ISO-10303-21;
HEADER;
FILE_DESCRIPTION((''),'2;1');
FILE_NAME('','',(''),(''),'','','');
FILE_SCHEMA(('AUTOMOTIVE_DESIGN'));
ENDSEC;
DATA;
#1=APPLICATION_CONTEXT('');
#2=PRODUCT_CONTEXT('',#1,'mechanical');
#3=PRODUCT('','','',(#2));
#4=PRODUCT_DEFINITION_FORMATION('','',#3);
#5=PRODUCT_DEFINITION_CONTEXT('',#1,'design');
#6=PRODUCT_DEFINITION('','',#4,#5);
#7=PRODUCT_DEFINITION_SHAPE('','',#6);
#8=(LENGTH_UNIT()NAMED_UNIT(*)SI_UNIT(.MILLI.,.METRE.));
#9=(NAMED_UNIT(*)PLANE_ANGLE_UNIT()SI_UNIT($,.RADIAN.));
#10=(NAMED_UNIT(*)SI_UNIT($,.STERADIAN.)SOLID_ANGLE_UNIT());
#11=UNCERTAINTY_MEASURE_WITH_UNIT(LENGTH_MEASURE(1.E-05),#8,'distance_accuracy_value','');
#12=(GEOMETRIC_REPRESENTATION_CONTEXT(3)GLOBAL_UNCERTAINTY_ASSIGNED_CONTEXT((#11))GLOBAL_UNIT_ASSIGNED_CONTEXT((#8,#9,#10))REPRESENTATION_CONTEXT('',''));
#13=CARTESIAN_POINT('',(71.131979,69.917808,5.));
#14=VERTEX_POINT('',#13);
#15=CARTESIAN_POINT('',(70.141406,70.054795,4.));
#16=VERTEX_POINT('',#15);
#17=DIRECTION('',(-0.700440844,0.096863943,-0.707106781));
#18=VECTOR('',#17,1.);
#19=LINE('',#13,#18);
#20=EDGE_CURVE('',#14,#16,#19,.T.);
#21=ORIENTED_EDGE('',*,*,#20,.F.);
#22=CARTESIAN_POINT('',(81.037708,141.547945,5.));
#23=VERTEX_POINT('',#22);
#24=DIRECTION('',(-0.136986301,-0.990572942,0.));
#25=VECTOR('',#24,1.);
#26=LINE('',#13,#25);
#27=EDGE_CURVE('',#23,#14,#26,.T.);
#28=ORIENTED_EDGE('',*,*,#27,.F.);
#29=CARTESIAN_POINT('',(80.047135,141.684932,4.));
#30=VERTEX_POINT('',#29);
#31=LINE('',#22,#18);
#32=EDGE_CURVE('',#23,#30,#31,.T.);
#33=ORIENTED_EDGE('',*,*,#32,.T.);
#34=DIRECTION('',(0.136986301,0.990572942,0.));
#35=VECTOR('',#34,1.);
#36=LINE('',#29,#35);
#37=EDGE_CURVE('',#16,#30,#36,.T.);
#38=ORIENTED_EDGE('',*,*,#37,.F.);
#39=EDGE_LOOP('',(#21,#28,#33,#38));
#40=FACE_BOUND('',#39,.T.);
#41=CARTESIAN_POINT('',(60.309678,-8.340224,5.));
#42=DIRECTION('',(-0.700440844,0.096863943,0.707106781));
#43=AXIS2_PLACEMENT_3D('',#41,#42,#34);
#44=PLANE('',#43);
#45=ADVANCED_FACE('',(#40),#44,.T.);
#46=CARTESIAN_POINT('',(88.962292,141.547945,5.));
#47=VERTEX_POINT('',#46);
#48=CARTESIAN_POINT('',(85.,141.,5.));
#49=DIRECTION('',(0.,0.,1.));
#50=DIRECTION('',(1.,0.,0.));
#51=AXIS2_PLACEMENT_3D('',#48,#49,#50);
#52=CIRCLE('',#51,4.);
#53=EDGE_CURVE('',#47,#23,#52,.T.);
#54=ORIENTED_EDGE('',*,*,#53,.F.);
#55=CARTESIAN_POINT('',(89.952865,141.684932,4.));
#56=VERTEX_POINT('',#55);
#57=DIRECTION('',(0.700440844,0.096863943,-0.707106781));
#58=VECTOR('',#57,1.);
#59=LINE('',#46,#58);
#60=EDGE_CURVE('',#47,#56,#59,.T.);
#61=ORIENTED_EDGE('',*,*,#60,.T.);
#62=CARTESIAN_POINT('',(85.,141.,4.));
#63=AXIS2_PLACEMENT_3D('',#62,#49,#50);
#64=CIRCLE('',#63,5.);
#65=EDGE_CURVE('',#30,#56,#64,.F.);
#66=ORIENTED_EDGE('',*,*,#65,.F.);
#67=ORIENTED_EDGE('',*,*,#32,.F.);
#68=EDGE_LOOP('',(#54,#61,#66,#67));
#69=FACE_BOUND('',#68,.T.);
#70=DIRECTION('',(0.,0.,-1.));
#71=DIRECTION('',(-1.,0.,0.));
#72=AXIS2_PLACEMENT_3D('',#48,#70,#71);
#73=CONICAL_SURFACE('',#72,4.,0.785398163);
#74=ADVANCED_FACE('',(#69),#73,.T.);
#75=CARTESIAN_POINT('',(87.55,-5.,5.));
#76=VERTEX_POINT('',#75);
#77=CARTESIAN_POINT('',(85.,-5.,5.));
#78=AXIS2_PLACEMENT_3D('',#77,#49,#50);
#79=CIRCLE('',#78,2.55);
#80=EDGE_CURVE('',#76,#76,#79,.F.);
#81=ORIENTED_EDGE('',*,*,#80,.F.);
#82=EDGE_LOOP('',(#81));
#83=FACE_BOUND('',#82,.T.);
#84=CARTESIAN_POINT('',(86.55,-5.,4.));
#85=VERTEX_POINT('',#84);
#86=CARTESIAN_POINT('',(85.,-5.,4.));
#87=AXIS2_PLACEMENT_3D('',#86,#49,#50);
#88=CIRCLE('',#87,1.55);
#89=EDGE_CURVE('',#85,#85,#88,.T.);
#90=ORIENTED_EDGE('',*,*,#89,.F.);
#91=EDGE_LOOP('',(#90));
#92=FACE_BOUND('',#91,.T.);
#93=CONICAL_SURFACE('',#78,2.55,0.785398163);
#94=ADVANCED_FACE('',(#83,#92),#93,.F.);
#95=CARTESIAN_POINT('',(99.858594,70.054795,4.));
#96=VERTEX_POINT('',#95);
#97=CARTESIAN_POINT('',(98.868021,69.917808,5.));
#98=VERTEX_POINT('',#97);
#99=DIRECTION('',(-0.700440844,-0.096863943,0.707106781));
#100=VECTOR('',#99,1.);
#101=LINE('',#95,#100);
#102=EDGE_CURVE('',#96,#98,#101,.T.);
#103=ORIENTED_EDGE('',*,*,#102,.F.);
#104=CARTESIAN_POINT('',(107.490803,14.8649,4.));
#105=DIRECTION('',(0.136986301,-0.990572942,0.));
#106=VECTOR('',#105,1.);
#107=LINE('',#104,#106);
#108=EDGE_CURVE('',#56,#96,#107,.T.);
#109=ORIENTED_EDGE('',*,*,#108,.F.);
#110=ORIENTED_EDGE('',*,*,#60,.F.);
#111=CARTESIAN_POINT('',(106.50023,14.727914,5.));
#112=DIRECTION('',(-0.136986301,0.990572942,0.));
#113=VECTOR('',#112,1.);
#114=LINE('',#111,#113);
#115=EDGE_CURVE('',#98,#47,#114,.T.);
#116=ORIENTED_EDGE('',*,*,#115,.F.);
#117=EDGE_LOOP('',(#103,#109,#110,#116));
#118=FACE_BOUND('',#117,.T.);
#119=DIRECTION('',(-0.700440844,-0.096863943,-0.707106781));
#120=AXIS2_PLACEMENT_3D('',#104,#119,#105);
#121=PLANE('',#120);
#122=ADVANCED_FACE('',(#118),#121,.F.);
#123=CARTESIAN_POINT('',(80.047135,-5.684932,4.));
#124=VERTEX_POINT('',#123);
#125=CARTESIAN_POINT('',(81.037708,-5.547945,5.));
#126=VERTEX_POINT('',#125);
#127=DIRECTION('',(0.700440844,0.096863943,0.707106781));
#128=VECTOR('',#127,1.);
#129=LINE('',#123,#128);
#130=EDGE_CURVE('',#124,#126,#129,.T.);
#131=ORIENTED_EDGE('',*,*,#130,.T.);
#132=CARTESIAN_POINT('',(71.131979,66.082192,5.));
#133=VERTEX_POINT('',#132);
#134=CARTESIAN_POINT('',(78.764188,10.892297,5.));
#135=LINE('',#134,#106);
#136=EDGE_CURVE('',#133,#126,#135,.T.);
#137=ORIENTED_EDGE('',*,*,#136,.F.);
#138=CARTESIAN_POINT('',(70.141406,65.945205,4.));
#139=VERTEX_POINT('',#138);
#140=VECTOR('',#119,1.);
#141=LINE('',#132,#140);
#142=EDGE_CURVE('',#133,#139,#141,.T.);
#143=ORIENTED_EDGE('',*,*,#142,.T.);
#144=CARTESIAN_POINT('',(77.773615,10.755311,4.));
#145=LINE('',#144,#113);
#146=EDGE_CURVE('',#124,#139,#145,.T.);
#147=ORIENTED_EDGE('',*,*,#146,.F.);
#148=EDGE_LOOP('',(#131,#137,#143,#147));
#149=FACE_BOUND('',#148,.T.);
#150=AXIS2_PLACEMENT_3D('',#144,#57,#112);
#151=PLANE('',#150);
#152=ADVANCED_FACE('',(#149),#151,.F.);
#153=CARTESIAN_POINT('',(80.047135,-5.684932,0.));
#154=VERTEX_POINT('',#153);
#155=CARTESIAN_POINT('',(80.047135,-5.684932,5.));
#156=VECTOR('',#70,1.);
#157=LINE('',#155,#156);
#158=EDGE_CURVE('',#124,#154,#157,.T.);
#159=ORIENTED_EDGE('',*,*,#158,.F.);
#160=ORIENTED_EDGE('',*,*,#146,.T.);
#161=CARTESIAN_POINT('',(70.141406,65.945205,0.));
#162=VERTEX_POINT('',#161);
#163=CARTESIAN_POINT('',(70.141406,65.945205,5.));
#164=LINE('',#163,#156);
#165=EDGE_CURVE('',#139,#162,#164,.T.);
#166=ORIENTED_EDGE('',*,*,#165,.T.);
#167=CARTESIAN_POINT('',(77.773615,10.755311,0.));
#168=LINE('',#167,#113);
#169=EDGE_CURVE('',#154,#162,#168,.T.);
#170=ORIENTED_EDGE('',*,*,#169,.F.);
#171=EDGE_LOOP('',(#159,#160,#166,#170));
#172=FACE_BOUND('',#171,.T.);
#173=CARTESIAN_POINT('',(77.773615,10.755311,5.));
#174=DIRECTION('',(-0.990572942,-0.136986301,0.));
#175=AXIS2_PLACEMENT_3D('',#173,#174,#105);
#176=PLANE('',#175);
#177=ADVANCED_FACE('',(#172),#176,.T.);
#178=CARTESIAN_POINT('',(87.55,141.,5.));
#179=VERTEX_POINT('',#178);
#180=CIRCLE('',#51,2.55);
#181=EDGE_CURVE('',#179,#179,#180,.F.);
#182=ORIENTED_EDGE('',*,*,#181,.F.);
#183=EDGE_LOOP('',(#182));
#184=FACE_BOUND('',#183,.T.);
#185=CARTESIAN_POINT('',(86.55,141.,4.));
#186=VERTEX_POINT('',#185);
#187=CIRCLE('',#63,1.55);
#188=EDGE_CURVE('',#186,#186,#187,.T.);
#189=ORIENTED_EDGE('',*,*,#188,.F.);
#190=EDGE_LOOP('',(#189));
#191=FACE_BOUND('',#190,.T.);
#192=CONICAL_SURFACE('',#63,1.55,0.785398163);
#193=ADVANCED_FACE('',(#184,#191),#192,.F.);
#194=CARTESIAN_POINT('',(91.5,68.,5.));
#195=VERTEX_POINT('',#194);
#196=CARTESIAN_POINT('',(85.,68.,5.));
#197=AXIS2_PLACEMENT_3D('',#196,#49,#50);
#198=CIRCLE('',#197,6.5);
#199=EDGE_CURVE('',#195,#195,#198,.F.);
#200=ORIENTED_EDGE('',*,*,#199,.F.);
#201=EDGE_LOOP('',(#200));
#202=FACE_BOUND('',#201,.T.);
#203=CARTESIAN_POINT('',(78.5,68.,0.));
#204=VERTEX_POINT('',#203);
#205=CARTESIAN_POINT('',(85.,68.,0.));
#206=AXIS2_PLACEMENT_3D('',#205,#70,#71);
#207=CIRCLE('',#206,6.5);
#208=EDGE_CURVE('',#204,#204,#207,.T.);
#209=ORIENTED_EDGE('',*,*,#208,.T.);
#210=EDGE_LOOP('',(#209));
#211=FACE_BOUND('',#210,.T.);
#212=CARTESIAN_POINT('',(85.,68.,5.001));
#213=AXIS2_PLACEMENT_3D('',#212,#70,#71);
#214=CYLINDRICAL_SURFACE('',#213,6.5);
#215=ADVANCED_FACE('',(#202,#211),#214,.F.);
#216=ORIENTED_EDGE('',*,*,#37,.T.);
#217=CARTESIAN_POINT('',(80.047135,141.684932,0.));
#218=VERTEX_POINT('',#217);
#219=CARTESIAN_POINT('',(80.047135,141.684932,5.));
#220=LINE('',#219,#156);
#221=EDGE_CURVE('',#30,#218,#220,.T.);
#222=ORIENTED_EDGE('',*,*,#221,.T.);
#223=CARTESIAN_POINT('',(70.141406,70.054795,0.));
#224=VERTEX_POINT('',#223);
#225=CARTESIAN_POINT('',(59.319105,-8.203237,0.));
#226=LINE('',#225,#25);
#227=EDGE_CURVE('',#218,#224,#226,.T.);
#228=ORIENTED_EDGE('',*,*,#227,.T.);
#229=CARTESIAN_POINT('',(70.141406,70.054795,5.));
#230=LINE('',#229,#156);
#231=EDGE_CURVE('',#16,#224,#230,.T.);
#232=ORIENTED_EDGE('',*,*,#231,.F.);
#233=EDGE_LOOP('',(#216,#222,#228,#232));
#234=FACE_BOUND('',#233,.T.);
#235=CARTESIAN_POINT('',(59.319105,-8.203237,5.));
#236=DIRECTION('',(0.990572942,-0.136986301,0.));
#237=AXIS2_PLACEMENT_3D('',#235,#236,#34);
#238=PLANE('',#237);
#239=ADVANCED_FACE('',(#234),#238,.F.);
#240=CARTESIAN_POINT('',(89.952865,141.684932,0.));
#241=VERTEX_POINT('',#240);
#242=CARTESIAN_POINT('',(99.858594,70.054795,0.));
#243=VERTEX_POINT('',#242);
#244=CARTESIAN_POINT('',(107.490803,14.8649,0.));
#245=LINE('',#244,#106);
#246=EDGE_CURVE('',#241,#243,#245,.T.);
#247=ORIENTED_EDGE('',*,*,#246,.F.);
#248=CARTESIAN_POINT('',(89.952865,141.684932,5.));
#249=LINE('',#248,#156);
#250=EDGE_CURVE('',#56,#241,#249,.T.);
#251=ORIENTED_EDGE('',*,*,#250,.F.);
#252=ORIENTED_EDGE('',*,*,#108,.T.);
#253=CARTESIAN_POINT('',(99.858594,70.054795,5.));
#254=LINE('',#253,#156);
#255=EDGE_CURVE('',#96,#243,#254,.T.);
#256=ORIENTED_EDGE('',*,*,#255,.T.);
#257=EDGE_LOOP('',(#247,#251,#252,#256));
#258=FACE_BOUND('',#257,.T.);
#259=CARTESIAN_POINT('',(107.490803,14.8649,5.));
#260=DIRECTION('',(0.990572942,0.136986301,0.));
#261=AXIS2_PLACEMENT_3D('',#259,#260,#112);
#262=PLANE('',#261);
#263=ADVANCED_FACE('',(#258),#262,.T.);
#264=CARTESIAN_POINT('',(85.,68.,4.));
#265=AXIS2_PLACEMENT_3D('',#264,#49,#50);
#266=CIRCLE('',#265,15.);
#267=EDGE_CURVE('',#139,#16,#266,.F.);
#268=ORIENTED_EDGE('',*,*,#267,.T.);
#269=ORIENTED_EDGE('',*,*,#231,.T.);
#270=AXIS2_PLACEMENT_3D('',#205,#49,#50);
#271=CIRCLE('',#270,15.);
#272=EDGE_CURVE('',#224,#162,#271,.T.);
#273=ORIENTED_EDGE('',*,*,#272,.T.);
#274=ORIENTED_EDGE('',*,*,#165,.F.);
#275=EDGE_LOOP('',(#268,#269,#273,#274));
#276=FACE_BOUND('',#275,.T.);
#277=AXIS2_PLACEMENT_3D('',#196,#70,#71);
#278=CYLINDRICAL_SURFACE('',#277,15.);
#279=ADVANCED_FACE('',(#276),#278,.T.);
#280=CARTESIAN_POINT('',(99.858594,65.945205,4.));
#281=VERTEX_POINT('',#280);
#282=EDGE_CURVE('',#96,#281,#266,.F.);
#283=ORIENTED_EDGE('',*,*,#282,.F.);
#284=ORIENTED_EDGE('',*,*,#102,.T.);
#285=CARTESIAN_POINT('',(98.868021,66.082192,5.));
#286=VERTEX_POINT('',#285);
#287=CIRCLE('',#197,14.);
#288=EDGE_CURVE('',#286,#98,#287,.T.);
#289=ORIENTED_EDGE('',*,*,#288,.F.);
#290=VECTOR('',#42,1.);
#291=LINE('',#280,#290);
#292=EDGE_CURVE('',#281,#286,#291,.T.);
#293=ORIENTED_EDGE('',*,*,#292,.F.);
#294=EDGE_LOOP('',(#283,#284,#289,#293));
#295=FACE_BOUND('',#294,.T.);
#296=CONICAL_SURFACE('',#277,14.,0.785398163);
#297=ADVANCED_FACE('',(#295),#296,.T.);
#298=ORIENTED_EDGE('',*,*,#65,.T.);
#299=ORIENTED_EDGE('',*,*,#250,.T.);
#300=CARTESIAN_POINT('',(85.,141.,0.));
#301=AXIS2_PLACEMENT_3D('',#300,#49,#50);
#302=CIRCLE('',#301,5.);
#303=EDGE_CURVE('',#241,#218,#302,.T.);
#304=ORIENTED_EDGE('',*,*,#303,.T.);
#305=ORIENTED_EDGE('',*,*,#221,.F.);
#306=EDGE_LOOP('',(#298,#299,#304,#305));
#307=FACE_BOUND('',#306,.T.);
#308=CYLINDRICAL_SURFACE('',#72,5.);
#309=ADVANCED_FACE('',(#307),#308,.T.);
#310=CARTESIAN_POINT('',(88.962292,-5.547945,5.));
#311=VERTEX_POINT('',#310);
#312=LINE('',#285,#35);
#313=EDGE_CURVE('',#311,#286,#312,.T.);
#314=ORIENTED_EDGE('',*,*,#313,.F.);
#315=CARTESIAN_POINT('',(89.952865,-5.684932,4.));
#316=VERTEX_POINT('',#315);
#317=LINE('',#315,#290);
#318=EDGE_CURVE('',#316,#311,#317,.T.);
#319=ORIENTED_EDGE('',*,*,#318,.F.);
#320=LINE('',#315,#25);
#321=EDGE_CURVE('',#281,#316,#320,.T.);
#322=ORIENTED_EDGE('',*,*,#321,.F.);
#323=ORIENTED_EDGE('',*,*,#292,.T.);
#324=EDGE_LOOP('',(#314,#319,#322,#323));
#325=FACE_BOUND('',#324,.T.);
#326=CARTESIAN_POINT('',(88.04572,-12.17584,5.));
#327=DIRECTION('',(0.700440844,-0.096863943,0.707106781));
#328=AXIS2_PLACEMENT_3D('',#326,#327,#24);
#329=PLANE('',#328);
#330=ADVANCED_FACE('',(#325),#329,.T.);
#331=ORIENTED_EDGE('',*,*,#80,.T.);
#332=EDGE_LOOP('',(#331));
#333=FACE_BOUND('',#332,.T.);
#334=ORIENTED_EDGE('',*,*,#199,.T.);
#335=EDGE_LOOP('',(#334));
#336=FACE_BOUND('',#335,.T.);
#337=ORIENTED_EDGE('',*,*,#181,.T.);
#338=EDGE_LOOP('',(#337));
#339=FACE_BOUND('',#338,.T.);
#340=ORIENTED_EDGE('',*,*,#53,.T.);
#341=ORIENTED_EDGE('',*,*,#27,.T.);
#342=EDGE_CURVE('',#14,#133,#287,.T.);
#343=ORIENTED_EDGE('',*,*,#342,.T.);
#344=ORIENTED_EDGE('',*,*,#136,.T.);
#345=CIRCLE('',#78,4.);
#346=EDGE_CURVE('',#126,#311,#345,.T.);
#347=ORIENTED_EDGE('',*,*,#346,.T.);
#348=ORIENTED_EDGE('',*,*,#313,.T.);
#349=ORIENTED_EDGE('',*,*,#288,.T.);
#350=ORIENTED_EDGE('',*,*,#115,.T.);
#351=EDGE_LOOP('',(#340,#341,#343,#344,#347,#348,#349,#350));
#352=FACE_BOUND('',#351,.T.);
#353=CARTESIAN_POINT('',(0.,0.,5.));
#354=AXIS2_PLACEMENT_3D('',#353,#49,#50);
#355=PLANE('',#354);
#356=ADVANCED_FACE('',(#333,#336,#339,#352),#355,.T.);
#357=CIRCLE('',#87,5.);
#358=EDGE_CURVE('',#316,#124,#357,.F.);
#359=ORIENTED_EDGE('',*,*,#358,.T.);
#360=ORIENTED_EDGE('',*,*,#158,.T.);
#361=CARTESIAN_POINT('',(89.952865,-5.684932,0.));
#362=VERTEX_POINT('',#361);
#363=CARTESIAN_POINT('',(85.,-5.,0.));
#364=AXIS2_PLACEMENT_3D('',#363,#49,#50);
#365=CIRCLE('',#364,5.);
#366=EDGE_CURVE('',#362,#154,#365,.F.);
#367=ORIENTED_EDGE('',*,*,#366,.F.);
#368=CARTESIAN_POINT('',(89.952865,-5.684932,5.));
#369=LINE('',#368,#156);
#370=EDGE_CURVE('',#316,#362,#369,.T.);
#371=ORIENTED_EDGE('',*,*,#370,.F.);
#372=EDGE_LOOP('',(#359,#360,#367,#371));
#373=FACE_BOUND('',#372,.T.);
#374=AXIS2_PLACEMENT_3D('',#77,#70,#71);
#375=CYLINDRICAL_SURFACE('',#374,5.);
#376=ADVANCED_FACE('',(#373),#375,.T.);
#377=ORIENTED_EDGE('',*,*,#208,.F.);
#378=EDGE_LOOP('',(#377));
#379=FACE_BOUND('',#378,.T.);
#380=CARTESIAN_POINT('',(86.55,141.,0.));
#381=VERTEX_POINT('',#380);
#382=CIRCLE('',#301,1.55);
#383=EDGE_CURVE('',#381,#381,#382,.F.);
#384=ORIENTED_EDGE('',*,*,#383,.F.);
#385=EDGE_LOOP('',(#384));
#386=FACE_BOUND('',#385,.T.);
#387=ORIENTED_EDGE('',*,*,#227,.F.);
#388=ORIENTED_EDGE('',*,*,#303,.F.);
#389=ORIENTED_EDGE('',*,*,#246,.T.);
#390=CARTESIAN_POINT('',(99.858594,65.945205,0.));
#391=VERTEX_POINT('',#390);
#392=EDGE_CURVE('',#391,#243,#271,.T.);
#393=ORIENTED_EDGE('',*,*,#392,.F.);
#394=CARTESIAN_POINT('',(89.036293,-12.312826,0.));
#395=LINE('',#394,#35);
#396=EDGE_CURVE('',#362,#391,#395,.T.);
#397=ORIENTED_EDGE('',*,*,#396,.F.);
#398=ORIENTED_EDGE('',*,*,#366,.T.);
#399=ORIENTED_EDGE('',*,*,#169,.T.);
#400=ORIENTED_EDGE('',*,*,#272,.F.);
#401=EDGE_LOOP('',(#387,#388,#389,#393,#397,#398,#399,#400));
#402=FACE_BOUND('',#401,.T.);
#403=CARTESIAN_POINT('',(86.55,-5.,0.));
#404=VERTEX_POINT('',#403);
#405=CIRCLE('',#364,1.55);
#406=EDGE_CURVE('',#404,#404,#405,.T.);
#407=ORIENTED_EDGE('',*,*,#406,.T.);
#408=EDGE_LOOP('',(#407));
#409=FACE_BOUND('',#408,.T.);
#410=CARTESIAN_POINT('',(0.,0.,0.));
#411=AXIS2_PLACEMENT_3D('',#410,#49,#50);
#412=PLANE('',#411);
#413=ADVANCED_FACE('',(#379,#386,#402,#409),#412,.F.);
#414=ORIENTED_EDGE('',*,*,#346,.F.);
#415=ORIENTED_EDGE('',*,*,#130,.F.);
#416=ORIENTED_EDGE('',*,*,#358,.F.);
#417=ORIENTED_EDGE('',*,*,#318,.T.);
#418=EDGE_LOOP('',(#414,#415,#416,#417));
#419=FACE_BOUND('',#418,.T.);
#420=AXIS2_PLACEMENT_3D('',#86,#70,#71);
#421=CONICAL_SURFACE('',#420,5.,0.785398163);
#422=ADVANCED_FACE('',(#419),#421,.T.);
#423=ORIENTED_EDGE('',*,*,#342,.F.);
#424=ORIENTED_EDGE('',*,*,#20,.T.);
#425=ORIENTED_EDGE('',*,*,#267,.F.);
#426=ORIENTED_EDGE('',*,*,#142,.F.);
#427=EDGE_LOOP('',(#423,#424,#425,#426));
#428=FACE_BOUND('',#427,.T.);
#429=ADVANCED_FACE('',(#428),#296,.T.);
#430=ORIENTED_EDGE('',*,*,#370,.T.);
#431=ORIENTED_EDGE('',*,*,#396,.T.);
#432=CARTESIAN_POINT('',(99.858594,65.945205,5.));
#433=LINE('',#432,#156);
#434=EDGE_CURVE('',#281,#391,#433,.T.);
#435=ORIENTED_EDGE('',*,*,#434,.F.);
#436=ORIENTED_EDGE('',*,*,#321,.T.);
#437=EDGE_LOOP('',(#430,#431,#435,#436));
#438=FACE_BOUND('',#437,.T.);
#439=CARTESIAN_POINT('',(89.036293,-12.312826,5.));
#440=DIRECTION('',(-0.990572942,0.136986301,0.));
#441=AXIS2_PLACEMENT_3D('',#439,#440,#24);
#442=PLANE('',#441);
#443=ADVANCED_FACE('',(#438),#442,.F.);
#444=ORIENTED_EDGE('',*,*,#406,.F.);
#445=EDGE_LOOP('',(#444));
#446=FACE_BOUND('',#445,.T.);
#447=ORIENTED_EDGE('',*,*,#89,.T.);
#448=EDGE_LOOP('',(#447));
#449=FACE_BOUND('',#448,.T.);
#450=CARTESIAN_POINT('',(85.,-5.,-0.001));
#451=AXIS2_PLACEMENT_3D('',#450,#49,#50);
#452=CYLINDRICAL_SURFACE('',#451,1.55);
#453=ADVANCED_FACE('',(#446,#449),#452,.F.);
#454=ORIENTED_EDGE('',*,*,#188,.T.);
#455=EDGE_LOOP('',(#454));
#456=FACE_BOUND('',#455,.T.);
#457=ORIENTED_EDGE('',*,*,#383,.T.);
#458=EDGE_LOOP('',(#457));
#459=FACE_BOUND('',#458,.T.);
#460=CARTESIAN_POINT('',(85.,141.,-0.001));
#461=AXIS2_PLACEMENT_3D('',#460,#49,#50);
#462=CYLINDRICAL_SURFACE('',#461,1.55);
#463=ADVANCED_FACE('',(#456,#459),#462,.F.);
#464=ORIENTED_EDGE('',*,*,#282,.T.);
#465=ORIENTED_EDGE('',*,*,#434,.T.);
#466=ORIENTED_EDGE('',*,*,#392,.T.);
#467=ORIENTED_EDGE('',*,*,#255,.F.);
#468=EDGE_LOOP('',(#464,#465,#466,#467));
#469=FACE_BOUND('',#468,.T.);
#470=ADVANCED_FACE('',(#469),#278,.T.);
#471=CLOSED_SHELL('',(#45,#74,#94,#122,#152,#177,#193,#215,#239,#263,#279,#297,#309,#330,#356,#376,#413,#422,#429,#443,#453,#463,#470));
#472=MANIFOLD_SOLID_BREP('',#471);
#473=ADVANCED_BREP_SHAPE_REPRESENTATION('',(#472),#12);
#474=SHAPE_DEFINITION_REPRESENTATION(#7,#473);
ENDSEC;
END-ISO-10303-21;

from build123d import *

# Parameters (mm, degrees)
BOSS_EXTRUDE1_DEPTH      = 5
CHAMFER1_SIZE            = 1
CUT_EXTRUDE2_REACH       = 179.034
SKETCH6_R                = 1.55
CHAMFER3_SIZE            = 1
CHAMFER3_OF_MIRROR2_SIZE = 1
CUT_EXTRUDE3_REACH       = 179.034
SKETCH10_R               = 6.5


with BuildPart() as part:
    # Sketch1 → Boss-Extrude1 (new body)
    with BuildSketch(Plane.XY):
        with BuildLine():
            ThreePointArc((99.858594129, 65.945205479), (100, 68), (99.858594129, 70.054794521))
            Line((99.858594129, 70.054794521), (89.95286471, 141.684931507))
            ThreePointArc((89.95286471, 141.684931507), (85, 146), (80.04713529, 141.684931507))
            Line((80.04713529, 141.684931507), (70.141405871, 70.054794521))
            ThreePointArc((70.141405871, 70.054794521), (70, 68), (70.141405871, 65.945205479))
            Line((70.141405871, 65.945205479), (80.04713529, -5.684931507))
            ThreePointArc((80.04713529, -5.684931507), (85, -10), (89.95286471, -5.684931507))
            Line((89.95286471, -5.684931507), (99.858594129, 65.945205479))
        make_face()
    extrude(amount=BOSS_EXTRUDE1_DEPTH)

    # Chamfer1
    chamfer1_edges = [part.edges().sort_by_distance(p)[0] for p in [
        (75.094270581, 30.130136986, 5),
        (70, 68, 5),
        (75.094270581, 105.869863014, 5),
        (85, 146, 5),
        (94.905729419, 105.869863014, 5),
        (100, 68, 5),
        (94.905729419, 30.130136986, 5),
        (85, -10, 5),
    ]]
    chamfer(chamfer1_edges, length=CHAMFER1_SIZE)

    # Sketch6 → Cut-Extrude2 (cut, up to next)
    with BuildSketch(Plane.XY.offset(5), mode=Mode.PRIVATE) as cut_extrude2_sk1:
        with Locations((85, 141)):
            Circle(SKETCH6_R)
    cut_extrude2_tool1 = extrude(cut_extrude2_sk1.sketch, amount=-CUT_EXTRUDE2_REACH, mode=Mode.PRIVATE) & part.part
    cut_extrude2 = cut_extrude2_tool1.solids().sort_by_distance((85, 141, 5))[0]
    add(cut_extrude2, mode=Mode.SUBTRACT)

    # Chamfer3
    chamfer3_edges = [part.edges().sort_by_distance(p)[0] for p in [
        (83.45, 141, 5),
    ]]
    chamfer(chamfer3_edges, length=CHAMFER3_SIZE)

    # Mirror2: Cut-Extrude2 across plane
    add(cut_extrude2.mirror(Plane(origin=(0, 68, 0), x_dir=(0, 0, 1), z_dir=(0, -1, 0))), mode=Mode.SUBTRACT)

    # Chamfer3 of Mirror2
    chamfer3_of_mirror2_edges = [part.edges().sort_by_distance(p)[0] for p in [
        (83.45, -5, 5),
    ]]
    chamfer(chamfer3_of_mirror2_edges, length=CHAMFER3_OF_MIRROR2_SIZE)

    # Sketch10 → Cut-Extrude3 (cut, up to next)
    with BuildSketch(Plane(origin=(0, 0, 0), x_dir=(-1, 0, 0), z_dir=(0, 0, -1)), mode=Mode.PRIVATE) as cut_extrude3_sk1:
        with Locations((-85, 68)):
            Circle(SKETCH10_R)
    cut_extrude3_tool1 = extrude(cut_extrude3_sk1.sketch, amount=-CUT_EXTRUDE3_REACH, mode=Mode.PRIVATE) & part.part
    add(cut_extrude3_tool1.solids().sort_by_distance((85, 68, 0))[0], mode=Mode.SUBTRACT)


solid = part.part
